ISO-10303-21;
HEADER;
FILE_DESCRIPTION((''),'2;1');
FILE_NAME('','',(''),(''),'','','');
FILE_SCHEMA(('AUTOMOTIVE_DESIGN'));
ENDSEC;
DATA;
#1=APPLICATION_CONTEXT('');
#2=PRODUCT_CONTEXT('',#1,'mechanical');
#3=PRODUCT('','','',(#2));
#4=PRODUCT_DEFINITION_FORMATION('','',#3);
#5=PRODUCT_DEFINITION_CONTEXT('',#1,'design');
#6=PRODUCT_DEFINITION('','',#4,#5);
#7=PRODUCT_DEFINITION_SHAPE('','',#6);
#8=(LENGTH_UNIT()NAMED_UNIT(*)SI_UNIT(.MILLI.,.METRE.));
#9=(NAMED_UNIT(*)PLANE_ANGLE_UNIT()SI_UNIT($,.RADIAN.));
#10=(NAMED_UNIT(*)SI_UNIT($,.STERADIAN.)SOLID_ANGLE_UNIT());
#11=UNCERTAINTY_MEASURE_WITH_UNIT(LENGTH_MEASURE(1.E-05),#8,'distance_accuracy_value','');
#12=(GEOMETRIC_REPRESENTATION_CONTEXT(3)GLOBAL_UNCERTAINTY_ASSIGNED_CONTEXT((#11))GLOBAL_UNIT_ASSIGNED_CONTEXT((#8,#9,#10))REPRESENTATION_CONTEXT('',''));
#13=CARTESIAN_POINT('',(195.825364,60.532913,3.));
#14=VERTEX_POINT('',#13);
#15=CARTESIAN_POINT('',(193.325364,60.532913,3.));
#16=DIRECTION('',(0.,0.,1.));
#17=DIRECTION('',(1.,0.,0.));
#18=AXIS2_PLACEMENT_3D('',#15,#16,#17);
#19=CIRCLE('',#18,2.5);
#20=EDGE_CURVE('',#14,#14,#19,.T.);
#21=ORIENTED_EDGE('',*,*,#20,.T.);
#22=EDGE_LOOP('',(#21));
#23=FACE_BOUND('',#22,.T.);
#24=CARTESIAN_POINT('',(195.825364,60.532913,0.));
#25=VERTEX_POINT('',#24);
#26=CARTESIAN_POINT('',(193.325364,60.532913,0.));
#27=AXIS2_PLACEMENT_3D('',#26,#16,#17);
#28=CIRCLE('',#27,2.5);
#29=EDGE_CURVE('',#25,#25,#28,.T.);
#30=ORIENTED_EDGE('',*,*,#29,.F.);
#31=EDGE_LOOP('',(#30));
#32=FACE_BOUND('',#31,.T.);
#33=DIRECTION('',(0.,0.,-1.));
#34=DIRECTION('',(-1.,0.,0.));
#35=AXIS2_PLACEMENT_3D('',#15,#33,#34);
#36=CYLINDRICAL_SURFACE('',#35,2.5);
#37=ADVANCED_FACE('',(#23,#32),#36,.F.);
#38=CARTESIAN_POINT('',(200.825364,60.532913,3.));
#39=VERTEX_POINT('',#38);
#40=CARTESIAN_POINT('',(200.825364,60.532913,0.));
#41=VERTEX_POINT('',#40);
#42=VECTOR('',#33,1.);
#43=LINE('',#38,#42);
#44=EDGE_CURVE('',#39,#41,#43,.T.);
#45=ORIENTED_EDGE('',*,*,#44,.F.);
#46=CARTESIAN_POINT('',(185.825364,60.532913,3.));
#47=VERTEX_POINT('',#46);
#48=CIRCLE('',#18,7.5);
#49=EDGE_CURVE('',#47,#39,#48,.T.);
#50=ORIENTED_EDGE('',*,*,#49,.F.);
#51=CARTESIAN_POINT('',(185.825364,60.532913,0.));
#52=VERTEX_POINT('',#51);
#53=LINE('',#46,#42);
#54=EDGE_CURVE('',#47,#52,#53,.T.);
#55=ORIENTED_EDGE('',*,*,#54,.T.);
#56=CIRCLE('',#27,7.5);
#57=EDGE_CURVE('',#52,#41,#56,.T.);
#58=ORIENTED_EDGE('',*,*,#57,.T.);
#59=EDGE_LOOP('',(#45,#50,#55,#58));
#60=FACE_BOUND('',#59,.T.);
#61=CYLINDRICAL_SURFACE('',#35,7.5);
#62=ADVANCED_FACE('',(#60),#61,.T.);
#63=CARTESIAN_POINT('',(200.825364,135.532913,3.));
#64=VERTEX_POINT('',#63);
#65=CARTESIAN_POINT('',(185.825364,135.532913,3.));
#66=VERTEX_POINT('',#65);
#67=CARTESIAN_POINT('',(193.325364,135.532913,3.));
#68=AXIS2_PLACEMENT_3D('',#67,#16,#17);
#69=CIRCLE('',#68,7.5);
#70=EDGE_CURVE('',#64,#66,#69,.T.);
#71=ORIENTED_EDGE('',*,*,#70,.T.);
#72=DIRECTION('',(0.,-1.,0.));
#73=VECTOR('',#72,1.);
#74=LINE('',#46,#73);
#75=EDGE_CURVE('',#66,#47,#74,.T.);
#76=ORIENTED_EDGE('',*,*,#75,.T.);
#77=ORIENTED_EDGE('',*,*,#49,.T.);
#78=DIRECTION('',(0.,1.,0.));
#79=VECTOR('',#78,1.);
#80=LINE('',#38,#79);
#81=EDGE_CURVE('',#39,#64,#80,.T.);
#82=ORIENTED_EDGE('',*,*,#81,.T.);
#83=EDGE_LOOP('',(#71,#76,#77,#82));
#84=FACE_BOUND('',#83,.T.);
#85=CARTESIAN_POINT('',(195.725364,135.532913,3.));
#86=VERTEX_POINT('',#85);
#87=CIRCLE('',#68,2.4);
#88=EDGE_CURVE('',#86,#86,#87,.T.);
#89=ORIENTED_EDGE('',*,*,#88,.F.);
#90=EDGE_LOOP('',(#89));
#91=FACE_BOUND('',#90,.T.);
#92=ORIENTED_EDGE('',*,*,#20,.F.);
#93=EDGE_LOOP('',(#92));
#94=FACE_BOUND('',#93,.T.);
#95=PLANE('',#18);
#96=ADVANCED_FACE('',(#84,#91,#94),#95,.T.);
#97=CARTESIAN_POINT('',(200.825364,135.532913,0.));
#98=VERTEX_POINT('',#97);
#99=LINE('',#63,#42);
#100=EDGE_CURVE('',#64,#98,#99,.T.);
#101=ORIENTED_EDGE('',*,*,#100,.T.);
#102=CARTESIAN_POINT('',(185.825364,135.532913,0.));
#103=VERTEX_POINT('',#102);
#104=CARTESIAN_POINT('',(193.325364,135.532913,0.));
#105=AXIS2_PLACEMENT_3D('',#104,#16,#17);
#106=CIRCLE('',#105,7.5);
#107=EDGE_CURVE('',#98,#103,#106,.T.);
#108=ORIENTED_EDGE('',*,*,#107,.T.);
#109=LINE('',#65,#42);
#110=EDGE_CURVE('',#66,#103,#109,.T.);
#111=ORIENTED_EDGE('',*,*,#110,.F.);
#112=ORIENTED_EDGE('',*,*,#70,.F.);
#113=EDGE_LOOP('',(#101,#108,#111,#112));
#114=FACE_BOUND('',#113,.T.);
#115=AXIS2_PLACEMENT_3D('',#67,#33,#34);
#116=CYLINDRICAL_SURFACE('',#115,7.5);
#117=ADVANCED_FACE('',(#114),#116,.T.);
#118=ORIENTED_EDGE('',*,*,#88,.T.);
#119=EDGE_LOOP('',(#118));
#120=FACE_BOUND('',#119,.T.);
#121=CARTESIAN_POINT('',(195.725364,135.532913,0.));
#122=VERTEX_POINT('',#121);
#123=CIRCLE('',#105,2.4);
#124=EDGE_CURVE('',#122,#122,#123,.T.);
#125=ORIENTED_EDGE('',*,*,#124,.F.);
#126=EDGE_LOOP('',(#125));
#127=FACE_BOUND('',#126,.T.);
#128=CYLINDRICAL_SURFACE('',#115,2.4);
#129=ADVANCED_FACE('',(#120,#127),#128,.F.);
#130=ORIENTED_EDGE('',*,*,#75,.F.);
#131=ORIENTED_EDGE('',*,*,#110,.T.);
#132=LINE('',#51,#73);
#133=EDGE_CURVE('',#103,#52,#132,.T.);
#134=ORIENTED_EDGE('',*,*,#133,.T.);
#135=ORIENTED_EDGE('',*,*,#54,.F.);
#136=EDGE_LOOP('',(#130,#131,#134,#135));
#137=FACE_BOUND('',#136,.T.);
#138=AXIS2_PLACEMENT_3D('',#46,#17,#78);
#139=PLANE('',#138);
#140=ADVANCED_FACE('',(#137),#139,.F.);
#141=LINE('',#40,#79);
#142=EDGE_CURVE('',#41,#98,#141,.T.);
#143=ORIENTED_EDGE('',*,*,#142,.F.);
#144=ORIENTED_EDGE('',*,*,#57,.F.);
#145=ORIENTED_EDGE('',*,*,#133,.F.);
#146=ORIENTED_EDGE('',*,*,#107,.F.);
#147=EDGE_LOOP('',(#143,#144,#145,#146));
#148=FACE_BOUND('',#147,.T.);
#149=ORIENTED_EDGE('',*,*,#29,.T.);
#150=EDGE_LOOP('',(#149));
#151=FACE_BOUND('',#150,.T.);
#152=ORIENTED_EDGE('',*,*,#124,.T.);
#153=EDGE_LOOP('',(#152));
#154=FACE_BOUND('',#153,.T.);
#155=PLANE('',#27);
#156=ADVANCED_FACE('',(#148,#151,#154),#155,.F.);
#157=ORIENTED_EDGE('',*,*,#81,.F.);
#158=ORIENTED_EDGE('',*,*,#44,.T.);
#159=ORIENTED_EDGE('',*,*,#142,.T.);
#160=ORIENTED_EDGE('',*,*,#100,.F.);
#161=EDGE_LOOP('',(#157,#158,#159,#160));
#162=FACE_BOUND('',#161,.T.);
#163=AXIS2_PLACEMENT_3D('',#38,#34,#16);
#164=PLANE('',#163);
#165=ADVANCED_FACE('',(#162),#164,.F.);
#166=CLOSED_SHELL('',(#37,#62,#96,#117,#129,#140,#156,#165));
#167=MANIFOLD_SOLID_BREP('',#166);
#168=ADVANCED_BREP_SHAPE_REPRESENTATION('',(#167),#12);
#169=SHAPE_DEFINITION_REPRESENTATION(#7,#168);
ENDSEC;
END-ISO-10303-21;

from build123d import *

# Parameters (mm, degrees)
SKETCH1_R           = 2.5
SKETCH1_R_2         = 2.4
BOSS_EXTRUDE1_DEPTH = 3


with BuildPart() as part:
    # Sketch1 → Boss-Extrude1 (new body)
    with BuildSketch(Plane.XY):
        with BuildLine():
            Line((185.825363728, 60.532913208), (185.825363728, 135.532913208))
            ThreePointArc((185.825363728, 135.532913208), (193.325363728, 143.032913208), (200.825363728, 135.532913208))
            Line((200.825363728, 135.532913208), (200.825363728, 60.532913208))
            ThreePointArc((200.825363728, 60.532913208), (193.325363728, 53.032913208), (185.825363728, 60.532913208))
        make_face()
        with Locations((193.325363728, 60.532913208)):
            Circle(SKETCH1_R, mode=Mode.SUBTRACT)
        with Locations((193.325363728, 135.532913208)):
            Circle(SKETCH1_R_2, mode=Mode.SUBTRACT)
    extrude(amount=BOSS_EXTRUDE1_DEPTH)


solid = part.part
